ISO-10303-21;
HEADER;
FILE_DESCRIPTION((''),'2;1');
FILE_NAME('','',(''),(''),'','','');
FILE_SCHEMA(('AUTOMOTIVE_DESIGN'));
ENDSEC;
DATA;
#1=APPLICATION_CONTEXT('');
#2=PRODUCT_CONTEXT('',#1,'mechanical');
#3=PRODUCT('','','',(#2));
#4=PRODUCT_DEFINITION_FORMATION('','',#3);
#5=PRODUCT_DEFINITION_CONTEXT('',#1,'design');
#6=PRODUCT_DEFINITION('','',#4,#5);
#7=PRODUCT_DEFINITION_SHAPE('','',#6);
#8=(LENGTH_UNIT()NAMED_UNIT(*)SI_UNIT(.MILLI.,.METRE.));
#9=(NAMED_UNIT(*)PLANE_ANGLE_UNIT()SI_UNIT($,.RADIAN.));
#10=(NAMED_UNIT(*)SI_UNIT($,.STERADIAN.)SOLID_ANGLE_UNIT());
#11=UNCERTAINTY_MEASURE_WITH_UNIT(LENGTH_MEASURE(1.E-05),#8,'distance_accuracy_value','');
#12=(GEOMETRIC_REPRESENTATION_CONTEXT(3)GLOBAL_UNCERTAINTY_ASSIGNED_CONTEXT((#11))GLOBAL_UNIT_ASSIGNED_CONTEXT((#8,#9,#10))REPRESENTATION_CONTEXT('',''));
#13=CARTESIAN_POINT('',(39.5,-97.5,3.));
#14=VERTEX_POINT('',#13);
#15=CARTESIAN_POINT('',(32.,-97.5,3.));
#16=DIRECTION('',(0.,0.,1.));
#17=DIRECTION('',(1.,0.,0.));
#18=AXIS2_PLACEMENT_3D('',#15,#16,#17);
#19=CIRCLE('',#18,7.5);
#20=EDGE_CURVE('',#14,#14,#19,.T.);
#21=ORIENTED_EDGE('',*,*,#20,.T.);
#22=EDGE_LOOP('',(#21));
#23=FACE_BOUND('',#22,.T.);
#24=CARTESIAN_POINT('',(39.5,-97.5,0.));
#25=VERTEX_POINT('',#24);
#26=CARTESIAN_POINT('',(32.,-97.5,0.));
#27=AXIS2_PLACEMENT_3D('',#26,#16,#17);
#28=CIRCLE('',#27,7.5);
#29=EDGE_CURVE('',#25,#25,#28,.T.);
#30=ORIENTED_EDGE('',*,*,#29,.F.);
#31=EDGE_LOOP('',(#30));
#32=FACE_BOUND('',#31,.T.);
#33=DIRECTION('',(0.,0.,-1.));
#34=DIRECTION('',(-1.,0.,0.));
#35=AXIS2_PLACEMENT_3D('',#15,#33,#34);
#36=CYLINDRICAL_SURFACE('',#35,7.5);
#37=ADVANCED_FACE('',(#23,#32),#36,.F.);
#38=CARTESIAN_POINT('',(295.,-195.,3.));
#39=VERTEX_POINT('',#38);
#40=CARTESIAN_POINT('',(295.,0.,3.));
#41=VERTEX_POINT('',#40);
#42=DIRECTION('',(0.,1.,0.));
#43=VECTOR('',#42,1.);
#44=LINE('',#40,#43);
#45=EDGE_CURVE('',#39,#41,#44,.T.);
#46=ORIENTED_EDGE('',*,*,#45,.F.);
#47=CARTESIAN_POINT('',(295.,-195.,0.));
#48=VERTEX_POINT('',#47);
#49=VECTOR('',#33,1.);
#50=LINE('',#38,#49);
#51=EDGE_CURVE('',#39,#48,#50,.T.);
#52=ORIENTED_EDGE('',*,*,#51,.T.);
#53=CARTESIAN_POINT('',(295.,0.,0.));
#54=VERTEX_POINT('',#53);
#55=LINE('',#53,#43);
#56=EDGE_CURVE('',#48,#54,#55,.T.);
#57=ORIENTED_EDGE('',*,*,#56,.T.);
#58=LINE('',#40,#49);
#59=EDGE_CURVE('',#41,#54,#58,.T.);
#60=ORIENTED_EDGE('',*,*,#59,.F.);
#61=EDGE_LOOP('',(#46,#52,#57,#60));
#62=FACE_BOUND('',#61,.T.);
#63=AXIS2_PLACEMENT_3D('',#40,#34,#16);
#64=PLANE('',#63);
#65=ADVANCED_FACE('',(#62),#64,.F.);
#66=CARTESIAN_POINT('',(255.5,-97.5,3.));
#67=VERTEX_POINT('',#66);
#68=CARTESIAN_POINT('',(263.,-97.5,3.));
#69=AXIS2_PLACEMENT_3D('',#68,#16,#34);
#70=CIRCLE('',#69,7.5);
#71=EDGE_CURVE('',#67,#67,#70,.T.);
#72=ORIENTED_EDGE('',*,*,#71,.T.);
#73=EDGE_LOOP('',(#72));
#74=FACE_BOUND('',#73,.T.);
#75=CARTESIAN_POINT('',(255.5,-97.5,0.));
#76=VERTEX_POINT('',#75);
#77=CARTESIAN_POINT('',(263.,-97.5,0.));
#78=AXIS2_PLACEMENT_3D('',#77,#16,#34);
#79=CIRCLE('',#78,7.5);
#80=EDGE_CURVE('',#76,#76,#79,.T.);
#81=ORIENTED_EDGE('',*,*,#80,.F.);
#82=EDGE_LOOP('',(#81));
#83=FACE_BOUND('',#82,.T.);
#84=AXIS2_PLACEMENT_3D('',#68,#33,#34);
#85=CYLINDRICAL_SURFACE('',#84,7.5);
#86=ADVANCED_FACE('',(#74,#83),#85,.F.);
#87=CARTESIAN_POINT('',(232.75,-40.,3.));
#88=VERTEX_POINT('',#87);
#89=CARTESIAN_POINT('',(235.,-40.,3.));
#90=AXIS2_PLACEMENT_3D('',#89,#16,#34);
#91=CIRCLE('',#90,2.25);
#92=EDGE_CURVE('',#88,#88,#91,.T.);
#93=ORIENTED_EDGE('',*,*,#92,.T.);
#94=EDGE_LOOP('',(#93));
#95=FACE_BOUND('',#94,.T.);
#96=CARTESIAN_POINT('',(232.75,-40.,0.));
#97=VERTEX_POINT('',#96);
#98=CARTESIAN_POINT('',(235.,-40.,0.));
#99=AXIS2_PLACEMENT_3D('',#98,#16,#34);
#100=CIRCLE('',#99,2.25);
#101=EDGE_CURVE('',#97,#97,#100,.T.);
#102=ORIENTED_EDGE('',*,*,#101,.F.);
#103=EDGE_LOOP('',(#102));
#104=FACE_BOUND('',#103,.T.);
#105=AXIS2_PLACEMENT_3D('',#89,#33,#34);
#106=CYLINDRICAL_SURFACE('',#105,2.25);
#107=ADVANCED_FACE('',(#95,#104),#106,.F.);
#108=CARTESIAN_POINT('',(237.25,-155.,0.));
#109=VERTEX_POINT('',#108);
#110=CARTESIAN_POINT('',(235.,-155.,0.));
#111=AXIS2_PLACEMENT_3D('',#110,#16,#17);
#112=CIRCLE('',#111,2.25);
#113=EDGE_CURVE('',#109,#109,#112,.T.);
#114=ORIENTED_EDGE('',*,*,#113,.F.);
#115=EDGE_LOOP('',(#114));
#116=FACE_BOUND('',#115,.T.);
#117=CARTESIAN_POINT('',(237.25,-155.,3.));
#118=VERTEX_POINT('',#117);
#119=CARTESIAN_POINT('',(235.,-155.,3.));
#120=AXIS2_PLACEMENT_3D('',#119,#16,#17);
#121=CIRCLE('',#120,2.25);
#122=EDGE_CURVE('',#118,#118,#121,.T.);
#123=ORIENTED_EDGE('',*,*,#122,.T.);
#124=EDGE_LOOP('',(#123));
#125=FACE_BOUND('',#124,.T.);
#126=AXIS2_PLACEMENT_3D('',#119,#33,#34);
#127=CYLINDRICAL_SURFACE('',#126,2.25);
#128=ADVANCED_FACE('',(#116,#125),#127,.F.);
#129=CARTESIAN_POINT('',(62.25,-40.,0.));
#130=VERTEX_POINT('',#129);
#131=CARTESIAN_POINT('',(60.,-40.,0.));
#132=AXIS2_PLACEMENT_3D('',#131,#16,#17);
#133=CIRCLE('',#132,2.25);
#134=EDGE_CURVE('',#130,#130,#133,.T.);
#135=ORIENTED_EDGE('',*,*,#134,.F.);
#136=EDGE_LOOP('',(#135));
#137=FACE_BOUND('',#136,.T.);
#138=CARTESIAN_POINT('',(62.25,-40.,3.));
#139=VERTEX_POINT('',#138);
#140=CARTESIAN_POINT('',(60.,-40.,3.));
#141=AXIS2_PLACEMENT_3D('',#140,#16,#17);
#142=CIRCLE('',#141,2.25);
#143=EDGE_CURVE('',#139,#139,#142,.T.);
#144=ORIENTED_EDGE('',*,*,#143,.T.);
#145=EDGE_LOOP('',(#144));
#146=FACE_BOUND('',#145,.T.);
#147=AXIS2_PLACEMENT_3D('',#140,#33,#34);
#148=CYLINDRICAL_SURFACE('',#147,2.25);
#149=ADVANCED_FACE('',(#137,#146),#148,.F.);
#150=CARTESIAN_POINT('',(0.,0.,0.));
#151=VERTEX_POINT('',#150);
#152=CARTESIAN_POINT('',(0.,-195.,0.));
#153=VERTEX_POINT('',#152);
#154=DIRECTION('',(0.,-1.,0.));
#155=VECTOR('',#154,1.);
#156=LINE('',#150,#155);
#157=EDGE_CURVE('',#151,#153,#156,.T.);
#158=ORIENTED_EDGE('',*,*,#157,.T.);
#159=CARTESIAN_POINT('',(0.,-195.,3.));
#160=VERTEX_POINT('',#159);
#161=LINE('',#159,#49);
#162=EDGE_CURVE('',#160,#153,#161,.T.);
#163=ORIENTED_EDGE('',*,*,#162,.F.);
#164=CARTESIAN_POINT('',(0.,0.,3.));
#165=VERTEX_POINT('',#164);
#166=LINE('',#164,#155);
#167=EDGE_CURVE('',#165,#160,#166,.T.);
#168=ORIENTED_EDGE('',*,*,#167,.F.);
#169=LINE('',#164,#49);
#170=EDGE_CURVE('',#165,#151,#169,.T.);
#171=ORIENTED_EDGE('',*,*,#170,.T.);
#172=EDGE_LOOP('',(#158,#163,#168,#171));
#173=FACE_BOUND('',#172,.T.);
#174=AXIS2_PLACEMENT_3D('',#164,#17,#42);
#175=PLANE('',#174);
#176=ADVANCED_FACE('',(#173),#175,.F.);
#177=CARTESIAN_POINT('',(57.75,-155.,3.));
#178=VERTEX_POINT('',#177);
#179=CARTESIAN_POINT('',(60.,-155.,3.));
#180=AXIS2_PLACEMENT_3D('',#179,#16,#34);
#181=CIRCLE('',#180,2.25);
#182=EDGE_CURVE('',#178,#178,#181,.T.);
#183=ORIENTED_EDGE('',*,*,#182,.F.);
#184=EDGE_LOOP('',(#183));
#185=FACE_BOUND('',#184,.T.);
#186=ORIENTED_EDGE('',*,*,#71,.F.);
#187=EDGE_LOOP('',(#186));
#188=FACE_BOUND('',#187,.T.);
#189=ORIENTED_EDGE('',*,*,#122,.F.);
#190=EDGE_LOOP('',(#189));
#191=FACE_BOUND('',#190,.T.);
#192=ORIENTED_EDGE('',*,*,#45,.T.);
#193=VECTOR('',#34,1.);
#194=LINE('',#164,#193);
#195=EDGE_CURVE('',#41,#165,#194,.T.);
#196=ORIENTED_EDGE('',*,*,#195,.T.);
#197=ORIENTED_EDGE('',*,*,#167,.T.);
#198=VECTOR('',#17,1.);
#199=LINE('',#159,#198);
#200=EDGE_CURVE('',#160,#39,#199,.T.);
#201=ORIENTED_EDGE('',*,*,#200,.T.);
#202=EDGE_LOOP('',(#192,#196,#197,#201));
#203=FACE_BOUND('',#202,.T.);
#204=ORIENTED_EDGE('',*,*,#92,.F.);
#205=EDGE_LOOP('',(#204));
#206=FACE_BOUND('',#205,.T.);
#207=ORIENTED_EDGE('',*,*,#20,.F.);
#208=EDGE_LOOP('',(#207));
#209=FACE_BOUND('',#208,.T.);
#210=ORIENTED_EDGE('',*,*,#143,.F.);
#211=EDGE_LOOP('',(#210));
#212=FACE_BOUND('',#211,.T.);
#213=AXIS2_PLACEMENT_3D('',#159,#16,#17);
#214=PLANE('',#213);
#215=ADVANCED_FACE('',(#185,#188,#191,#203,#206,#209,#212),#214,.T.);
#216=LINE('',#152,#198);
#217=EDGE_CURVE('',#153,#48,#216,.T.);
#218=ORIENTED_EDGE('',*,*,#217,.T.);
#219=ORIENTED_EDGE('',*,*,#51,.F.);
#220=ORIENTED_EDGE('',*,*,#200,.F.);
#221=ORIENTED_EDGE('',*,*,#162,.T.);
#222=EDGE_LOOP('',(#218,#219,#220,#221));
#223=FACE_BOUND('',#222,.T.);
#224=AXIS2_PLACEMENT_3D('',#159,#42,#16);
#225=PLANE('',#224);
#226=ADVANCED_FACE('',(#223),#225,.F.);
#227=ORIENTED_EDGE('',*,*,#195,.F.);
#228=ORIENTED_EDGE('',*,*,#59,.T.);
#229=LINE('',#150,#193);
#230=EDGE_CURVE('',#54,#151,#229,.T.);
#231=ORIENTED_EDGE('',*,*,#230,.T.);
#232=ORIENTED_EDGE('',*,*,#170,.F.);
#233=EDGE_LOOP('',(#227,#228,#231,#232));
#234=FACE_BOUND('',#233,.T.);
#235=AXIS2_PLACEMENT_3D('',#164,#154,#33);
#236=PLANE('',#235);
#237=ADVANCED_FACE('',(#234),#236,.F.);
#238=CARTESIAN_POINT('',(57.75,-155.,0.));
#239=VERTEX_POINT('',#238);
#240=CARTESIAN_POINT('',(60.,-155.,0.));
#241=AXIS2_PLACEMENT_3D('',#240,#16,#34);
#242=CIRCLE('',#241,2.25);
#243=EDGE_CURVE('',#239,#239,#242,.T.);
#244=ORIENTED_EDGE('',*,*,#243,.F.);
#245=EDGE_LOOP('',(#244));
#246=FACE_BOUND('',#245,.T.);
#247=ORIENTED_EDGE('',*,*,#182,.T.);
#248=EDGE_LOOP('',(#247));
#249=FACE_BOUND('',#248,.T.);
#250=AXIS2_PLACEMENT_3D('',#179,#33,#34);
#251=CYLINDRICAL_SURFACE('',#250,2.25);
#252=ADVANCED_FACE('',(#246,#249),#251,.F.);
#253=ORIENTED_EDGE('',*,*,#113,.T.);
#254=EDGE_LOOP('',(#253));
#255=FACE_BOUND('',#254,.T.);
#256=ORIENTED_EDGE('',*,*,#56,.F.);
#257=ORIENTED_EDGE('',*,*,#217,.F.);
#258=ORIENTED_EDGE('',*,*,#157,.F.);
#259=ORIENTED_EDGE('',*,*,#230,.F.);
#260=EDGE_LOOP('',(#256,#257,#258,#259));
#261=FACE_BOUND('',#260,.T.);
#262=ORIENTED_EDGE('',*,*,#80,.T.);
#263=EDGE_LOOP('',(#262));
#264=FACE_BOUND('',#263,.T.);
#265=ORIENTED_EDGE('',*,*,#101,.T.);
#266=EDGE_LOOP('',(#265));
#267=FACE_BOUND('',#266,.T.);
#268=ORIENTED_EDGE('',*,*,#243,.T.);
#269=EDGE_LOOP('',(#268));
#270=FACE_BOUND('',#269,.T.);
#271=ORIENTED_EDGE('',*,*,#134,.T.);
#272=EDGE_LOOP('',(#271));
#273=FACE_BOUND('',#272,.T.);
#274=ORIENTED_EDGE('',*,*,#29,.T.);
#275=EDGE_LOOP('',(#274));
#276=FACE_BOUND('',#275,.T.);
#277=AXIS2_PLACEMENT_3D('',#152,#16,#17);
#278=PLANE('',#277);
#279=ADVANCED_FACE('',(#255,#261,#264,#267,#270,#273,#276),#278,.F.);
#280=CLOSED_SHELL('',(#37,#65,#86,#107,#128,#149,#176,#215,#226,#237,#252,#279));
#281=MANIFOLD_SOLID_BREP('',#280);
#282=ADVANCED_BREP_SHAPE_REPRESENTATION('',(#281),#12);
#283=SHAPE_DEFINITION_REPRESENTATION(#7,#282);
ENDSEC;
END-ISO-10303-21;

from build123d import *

# Parameters (mm, degrees)
ESQUISSE1_W        = 295
ESQUISSE1_H        = 195
ESQUISSE1_R        = 2.25
ESQUISSE1_R_2      = 7.5
BOSS_EXTRU_1_DEPTH = 3


with BuildPart() as part:
    # Esquisse1 → Boss.-Extru.1 (new body)
    with BuildSketch(Plane.XY):
        with Locations((147.5, -97.5)):
            Rectangle(ESQUISSE1_W, ESQUISSE1_H)
        with Locations((60, -40)):
            Circle(ESQUISSE1_R, mode=Mode.SUBTRACT)
        with Locations((235, -40)):
            Circle(ESQUISSE1_R, mode=Mode.SUBTRACT)
        with Locations((235, -155)):
            Circle(ESQUISSE1_R, mode=Mode.SUBTRACT)
        with Locations((60, -155)):
            Circle(ESQUISSE1_R, mode=Mode.SUBTRACT)
        with Locations((32, -97.5)):
            Circle(ESQUISSE1_R_2, mode=Mode.SUBTRACT)
        with Locations((263, -97.5)):
            Circle(ESQUISSE1_R_2, mode=Mode.SUBTRACT)
    extrude(amount=BOSS_EXTRU_1_DEPTH)


solid = part.part
